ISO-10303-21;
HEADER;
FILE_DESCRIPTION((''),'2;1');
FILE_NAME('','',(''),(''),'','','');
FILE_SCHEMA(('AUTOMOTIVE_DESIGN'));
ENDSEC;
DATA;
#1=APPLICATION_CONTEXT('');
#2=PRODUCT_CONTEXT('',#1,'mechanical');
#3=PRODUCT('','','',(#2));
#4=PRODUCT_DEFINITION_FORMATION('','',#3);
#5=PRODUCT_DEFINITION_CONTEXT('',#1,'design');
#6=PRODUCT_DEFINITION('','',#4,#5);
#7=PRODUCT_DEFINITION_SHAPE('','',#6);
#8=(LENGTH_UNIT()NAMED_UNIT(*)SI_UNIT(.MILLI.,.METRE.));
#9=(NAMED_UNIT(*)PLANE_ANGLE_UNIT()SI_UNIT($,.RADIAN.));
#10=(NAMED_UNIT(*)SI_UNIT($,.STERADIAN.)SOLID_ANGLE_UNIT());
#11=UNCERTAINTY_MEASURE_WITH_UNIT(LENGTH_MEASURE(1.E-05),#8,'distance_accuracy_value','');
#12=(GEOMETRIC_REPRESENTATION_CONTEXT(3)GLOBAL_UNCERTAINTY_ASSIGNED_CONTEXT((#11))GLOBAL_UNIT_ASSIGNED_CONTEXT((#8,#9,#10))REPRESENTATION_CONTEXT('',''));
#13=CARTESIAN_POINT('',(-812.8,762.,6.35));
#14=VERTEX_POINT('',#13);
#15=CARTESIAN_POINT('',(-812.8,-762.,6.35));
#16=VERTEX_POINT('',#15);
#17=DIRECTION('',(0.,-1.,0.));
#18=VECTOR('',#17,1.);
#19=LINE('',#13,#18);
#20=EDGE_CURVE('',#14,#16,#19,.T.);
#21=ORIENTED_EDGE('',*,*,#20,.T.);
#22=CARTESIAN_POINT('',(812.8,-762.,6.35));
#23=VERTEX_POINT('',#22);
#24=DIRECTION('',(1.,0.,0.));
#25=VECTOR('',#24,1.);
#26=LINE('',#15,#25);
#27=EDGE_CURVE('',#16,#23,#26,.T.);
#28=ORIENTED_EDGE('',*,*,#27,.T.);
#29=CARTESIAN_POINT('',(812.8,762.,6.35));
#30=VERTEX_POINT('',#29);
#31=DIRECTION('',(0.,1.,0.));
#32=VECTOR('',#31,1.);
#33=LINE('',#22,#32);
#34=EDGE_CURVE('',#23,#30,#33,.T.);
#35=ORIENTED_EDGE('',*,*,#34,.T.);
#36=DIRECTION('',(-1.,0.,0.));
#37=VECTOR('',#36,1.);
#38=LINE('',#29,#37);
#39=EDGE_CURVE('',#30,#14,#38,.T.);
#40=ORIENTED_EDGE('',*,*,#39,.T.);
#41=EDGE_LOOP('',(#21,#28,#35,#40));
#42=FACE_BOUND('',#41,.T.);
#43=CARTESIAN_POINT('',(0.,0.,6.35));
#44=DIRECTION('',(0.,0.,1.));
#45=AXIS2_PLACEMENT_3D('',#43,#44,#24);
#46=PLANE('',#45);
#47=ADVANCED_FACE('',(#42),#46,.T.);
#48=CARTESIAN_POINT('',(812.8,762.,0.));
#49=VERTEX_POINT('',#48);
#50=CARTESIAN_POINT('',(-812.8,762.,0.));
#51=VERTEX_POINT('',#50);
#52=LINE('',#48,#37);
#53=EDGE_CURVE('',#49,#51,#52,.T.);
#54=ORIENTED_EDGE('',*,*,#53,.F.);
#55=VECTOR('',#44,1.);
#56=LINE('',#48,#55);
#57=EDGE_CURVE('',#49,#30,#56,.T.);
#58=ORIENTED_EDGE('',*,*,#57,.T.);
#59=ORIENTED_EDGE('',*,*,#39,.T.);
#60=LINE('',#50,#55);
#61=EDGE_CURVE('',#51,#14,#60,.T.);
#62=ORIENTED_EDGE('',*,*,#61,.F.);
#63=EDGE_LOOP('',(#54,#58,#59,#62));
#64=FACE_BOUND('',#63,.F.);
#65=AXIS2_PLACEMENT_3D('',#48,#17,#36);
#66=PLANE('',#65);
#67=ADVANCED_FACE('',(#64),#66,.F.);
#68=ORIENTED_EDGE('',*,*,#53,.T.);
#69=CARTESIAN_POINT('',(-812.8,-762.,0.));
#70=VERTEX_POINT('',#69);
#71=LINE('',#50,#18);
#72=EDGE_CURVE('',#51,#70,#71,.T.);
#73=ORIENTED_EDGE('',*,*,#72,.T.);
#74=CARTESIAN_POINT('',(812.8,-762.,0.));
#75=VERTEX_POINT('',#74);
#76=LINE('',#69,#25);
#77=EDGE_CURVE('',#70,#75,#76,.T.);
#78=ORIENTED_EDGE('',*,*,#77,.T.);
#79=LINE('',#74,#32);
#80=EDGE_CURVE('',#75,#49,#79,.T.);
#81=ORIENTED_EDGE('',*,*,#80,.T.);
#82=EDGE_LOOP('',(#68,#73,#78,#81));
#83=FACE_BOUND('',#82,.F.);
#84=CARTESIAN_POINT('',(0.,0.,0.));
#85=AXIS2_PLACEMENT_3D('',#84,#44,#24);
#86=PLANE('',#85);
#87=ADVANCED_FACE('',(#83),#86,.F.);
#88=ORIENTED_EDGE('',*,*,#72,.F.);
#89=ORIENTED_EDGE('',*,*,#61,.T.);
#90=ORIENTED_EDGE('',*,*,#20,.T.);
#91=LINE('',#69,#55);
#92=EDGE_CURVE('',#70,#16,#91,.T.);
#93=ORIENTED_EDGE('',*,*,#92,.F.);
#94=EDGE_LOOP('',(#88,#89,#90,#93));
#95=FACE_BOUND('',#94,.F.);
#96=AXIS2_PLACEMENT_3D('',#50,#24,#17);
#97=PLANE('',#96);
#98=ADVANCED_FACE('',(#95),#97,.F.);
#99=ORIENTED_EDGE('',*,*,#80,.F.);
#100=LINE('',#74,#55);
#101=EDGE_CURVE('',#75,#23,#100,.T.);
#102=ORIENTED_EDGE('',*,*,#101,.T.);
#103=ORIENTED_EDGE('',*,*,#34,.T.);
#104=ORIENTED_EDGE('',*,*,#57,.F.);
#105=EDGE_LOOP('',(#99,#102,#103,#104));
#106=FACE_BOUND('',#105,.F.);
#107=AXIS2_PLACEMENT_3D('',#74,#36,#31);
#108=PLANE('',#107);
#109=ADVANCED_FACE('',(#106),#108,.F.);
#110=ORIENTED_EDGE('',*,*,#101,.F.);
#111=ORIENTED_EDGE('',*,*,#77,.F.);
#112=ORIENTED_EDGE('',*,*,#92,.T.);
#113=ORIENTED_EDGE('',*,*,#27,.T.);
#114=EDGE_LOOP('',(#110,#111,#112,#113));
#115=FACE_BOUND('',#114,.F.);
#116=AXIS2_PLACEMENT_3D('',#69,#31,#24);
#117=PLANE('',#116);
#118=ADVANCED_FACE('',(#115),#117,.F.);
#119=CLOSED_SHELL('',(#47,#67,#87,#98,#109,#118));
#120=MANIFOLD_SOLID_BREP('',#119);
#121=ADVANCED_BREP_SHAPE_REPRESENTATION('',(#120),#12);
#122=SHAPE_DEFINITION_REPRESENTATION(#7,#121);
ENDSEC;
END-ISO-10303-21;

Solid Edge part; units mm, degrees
sketch "Sketch1" plane through (0, 0, 0) normal (0, 0, 1) x (1, 0, 0)
  line L0 (-812.8, -762) -> (812.8, -762)
  line L1 (812.8, -762) -> (812.8, 762)
  line L2 (812.8, 762) -> (-812.8, 762)
  line L3 (-812.8, 762) -> (-812.8, -762)
  dimension "D1" = 1625.6
  dimension "D2" = 1524
extrude "Protrusion1" add sketch "Sketch1" along normal blind 6.35
properties material "Wood, Mahogany"
